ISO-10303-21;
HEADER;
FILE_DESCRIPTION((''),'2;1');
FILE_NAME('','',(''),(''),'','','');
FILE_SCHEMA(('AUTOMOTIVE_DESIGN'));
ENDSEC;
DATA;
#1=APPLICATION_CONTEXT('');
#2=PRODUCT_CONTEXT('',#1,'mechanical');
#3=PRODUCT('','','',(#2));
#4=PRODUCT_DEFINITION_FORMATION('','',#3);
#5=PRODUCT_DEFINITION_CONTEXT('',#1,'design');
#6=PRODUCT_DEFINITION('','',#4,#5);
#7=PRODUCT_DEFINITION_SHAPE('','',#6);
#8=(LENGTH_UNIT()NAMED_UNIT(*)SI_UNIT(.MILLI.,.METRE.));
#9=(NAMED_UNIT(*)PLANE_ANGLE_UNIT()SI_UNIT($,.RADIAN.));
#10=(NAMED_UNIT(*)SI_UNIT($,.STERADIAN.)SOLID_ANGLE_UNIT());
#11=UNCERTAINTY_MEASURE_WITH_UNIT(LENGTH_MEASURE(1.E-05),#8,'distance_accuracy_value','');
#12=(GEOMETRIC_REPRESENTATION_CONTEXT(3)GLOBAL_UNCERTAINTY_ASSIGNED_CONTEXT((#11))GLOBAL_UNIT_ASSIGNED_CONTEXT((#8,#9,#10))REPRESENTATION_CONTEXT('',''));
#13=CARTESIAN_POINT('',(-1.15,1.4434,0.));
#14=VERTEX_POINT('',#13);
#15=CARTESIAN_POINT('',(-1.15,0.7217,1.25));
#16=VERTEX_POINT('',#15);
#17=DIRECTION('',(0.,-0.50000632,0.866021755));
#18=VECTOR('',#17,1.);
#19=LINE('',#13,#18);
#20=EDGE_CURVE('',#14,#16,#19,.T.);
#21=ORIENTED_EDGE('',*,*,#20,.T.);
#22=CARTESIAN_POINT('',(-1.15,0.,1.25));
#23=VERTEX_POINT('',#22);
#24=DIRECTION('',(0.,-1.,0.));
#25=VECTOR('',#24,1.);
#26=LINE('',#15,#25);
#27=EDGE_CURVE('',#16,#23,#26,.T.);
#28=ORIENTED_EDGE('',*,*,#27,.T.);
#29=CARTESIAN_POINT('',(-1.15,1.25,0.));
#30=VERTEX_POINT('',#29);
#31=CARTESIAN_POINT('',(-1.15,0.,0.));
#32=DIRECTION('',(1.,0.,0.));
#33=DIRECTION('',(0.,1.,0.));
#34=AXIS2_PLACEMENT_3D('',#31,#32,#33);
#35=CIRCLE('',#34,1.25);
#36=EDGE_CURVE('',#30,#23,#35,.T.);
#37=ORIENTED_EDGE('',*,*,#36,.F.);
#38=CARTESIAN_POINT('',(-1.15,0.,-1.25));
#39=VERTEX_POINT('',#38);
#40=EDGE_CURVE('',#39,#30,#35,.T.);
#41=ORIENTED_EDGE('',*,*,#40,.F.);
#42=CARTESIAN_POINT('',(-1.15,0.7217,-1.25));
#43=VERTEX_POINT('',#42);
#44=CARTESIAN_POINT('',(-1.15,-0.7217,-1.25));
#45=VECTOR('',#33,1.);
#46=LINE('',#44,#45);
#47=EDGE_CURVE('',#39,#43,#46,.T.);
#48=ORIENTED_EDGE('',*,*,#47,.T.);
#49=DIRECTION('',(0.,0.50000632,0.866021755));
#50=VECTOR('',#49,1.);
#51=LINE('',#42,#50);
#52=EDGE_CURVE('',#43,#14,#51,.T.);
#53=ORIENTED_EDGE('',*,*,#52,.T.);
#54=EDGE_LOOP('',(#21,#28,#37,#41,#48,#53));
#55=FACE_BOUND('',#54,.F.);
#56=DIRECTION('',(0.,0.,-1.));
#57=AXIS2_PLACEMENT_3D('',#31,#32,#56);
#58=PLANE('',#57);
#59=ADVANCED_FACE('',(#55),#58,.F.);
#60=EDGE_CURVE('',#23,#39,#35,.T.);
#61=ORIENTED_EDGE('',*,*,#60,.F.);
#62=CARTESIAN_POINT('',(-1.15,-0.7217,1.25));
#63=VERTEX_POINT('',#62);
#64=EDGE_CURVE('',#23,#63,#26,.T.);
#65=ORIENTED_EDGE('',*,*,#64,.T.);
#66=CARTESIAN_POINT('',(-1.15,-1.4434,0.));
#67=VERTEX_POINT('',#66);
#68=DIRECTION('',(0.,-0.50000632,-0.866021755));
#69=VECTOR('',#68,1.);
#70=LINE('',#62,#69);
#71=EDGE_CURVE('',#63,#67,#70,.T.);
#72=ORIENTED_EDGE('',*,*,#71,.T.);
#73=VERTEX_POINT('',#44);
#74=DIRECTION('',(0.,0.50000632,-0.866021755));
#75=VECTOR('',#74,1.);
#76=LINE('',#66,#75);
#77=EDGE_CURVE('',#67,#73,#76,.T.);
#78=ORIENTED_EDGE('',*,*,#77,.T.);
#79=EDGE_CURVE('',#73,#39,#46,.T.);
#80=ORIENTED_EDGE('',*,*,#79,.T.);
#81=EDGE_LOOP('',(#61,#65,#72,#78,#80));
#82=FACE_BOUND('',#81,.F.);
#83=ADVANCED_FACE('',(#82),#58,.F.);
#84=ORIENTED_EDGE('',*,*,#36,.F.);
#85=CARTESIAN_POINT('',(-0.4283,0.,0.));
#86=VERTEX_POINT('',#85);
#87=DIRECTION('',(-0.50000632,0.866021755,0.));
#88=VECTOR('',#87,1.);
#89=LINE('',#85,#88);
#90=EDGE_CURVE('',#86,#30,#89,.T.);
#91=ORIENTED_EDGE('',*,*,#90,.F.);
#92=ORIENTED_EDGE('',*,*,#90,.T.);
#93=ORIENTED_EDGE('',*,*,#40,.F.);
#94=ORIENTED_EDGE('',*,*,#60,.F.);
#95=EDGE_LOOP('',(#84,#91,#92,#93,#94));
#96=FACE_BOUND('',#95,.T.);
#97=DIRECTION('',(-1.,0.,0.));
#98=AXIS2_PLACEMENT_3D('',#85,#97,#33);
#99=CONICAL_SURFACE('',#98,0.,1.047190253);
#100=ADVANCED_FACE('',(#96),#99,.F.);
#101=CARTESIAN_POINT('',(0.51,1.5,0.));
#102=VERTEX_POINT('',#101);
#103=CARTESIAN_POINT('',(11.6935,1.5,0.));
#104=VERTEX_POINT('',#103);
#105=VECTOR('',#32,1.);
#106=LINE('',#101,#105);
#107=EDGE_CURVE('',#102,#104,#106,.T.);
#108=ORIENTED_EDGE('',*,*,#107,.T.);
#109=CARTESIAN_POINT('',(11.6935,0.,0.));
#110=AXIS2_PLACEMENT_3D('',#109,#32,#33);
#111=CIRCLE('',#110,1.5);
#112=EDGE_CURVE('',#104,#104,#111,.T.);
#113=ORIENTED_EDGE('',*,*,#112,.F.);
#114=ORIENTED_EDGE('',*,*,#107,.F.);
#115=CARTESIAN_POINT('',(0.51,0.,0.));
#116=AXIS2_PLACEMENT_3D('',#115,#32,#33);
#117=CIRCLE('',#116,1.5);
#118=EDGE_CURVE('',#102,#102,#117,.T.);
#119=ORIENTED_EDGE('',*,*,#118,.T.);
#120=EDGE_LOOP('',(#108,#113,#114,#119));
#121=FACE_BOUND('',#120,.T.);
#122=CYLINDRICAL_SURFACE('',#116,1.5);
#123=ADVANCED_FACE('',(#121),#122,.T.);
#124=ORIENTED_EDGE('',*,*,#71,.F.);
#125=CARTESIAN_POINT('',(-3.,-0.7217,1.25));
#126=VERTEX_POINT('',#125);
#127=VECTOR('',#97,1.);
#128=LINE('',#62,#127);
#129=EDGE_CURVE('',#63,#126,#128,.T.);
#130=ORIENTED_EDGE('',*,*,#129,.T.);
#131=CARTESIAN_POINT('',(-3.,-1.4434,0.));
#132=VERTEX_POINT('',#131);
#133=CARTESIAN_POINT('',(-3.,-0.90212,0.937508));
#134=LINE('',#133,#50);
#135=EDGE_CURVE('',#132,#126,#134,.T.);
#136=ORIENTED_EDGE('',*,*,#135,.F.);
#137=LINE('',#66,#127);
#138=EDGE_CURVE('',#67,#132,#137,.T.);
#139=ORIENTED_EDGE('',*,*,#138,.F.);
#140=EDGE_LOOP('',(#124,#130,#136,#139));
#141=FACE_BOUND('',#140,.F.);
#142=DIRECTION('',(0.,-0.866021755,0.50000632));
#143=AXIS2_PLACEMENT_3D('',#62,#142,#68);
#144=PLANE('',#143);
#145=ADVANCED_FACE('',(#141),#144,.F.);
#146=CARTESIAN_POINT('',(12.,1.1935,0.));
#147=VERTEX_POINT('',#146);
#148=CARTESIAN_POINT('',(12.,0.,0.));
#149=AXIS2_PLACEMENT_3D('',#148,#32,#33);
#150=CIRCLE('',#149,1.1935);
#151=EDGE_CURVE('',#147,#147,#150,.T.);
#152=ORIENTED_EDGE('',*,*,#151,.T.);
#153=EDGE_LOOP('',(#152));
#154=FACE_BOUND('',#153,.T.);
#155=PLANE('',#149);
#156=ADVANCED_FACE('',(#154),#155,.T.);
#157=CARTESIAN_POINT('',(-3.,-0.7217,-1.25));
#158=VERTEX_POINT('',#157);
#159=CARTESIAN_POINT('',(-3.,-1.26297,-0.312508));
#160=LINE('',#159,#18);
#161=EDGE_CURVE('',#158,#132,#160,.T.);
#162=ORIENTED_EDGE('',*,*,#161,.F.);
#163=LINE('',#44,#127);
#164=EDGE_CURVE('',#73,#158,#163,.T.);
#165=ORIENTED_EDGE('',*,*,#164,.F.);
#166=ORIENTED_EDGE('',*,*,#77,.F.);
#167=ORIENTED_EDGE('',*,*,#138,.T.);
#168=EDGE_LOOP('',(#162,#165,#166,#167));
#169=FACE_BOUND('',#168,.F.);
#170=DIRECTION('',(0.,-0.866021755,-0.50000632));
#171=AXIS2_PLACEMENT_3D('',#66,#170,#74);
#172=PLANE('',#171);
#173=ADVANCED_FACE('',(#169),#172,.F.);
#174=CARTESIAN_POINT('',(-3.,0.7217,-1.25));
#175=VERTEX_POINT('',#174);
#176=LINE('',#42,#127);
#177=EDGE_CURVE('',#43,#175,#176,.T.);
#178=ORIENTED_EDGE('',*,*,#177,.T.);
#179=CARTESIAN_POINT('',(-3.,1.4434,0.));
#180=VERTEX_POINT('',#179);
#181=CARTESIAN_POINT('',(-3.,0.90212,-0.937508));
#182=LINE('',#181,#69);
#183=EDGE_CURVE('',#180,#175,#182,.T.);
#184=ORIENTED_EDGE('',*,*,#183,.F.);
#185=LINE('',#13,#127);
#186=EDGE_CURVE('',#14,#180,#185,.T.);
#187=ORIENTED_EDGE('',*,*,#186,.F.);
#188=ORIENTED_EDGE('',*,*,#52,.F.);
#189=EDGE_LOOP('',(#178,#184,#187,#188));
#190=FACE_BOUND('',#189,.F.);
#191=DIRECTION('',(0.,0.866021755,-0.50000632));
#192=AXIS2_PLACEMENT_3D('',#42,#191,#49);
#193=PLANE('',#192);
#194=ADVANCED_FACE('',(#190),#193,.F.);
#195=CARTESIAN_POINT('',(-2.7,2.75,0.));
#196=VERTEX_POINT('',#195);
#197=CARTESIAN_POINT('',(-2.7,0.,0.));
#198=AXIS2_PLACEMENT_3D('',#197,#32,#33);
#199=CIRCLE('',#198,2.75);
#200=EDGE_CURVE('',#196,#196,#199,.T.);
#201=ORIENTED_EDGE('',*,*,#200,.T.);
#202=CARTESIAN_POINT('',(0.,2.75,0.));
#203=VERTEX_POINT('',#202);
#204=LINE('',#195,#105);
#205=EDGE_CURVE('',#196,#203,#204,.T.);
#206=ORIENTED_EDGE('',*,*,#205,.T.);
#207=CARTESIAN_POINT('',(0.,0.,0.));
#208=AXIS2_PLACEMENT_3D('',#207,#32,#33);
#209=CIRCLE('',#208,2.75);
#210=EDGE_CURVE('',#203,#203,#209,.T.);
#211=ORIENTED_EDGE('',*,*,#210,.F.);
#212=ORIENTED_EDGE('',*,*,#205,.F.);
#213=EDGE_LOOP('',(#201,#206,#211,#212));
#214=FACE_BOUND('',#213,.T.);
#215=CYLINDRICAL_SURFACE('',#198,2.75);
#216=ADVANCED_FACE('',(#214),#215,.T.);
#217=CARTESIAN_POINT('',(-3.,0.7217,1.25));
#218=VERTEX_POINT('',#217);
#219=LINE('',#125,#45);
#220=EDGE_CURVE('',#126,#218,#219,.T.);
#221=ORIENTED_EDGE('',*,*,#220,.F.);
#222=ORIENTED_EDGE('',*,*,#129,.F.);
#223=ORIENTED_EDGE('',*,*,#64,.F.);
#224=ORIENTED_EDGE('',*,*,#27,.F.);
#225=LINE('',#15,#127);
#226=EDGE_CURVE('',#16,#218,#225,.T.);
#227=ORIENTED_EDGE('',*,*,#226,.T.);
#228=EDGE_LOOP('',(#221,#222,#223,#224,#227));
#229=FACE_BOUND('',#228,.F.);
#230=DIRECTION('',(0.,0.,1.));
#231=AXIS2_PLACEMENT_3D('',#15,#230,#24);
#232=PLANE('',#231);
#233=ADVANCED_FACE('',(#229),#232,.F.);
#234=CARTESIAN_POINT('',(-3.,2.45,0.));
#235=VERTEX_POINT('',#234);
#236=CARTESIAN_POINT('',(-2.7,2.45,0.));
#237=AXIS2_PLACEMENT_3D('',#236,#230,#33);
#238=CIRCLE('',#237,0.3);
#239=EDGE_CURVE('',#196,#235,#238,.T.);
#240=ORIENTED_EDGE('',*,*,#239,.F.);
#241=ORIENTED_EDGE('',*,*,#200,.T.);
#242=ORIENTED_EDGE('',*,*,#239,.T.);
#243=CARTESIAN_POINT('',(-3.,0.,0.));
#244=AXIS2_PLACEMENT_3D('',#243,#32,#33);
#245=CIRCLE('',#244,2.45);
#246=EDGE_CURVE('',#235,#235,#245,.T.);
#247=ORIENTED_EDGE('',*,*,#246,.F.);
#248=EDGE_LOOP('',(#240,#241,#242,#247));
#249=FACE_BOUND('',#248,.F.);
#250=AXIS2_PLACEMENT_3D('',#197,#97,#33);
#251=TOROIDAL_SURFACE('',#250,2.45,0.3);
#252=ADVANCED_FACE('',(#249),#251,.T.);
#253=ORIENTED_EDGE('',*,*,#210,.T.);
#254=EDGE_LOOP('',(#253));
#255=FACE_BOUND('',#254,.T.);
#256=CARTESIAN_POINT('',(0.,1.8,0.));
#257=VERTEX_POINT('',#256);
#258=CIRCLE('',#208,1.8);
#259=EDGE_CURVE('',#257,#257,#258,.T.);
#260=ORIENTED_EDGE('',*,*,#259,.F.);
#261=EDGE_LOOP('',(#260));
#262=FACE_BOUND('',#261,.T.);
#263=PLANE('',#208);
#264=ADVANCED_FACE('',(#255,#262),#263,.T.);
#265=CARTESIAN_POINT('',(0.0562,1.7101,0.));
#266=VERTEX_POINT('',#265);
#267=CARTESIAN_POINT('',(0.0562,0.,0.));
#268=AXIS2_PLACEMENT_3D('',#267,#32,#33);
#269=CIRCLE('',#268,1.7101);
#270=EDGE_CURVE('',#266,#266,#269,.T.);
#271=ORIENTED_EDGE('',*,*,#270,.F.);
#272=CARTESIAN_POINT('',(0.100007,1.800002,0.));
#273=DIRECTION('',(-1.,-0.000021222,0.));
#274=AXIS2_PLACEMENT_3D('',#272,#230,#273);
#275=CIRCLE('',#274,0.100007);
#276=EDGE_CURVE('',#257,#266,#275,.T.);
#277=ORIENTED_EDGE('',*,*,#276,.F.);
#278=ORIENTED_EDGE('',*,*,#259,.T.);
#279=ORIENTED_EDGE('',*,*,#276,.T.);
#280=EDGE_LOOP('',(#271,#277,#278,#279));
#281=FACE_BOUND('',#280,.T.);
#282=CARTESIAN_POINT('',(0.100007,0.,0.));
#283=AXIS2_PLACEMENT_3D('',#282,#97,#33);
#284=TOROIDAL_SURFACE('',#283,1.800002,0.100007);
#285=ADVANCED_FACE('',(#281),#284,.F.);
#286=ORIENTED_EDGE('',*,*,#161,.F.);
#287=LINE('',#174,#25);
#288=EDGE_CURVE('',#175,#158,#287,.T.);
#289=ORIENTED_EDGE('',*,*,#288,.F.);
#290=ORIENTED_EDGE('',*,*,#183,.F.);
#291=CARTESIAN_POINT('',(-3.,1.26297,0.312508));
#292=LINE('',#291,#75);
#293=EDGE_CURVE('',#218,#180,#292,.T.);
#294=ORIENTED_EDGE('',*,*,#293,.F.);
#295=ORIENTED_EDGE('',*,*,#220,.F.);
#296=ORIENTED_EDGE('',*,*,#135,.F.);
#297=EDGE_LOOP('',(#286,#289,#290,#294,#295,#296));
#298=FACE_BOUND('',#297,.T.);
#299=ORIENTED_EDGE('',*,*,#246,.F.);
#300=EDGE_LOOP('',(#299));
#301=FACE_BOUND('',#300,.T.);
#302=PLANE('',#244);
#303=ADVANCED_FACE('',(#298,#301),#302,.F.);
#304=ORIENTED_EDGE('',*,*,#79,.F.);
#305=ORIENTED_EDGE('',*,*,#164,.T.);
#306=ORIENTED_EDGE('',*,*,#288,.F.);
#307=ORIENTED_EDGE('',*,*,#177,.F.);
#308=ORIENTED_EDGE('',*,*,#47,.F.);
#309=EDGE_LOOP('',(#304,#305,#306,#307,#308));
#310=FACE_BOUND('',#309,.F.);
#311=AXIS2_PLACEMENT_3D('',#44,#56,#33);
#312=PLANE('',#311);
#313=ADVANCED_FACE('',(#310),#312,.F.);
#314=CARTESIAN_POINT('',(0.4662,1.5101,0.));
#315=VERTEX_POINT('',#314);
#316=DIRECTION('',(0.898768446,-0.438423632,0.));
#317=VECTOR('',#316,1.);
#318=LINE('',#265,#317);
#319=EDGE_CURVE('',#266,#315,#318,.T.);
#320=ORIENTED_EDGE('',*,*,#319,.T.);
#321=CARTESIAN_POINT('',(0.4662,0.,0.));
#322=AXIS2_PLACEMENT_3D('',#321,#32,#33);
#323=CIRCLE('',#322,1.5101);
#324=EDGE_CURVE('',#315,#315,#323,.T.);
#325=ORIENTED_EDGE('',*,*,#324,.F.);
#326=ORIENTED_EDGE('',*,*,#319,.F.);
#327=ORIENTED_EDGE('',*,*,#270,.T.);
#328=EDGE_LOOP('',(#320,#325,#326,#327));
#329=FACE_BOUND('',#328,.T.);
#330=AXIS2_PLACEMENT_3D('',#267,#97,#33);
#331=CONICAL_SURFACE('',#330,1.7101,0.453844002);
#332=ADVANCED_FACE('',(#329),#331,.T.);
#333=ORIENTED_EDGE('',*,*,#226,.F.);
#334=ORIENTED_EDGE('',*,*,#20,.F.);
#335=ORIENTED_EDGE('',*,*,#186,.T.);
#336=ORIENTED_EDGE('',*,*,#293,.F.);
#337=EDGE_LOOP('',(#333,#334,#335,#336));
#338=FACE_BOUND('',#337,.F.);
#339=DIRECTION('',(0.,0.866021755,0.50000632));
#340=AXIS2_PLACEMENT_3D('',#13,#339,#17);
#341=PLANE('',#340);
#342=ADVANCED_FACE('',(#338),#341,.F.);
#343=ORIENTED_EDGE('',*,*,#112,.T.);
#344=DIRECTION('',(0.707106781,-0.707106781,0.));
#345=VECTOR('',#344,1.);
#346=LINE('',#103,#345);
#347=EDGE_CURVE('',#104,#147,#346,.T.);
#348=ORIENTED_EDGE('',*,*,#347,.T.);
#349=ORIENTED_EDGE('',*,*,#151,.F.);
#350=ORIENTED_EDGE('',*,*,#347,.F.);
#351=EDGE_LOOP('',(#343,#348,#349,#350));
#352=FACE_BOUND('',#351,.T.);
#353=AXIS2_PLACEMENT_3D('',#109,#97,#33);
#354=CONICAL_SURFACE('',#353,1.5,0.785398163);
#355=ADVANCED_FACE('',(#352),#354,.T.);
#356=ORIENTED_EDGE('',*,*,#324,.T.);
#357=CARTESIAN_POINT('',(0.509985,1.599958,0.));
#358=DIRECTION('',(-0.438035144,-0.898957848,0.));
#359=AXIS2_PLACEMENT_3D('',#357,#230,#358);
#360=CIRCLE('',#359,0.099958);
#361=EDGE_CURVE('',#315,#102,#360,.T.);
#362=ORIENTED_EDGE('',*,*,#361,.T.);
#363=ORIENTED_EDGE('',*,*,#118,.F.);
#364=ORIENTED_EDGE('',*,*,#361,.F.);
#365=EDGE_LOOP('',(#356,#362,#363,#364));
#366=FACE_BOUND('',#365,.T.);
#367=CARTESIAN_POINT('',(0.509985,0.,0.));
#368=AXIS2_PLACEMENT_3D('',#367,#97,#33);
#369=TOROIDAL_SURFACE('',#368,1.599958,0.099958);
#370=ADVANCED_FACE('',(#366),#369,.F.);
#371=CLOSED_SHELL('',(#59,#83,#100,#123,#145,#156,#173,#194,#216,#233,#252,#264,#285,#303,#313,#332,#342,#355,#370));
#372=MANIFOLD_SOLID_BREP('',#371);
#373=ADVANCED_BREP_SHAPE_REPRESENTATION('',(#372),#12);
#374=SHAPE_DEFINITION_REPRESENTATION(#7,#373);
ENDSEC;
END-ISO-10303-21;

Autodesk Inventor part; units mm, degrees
sketch "Skizze_2" plane through (0, 0, 0) normal (0, 0, 1) x (1, 0, 0)
  line L0 (12, 0) -> (-0.4283, 0)
  line L1 (-0.4283, 0) -> (-1.15, 1.25)
  line L2 (-1.15, 1.25) -> (-3, 1.25)
  line L3 (-3, 1.25) -> (-3, 2.45)
  arc A0 (-2.7, 2.75) -> (-3, 2.45) centre (-2.7, 2.45) ccw
  line L4 (-2.7, 2.75) -> (0, 2.75)
  line L5 (0, 2.75) -> (0, 1.8)
  arc A1 (0, 1.8) -> (0.0562, 1.7101) centre (0.1, 1.8) ccw
  line L6 (0.0562, 1.7101) -> (0.4662, 1.5101)
  arc A2 (0.4662, 1.5101) -> (0.51, 1.5) centre (0.51, 1.6) ccw
  line L7 (0.51, 1.5) -> (11.6935, 1.5)
  line L8 (11.6935, 1.5) -> (12, 1.1935)
  line L9 (12, 1.1935) -> (12, 0)
  line L10 (12, 0) -> (-0.4283, 0)
revolve "Revolution1" add sketch "Skizze_2" angle 360 about axis through (12, 0, 0) along (1, 0, 0)
thread "Thread1" size "M3x0.5" class "6g" standard "ISO Metric profile" length 1.1935
sketch "Skizze_1" plane through (-1.15, 0, 0) normal (1, 0, 0) x (0, 0, -1)
  line L0 (-1.25, -0.7217) -> (0, -1.4434)
  line L1 (0, -1.4434) -> (1.25, -0.7217)
  line L2 (1.25, -0.7217) -> (1.25, 0.7217)
  line L3 (1.25, 0.7217) -> (0, 1.4434)
  line L4 (0, 1.4434) -> (-1.25, 0.7217)
  line L5 (-1.25, 0.7217) -> (-1.25, -0.7217)
extrude "Extrusion1" cut sketch "Skizze_1" against normal blind 2.6
ref_plane "IP1_XY" through (0, 0, 0) normal (1, 0, 0) x (0, 0, -1)
ref_plane "IP1_YZ" through (0, 0, 0) normal (0, 0, -1) x (0, 1, 0)
ref_plane "IP1_ZX" through (0, 0, 0) normal (0, 1, 0) x (1, 0, 0)
ref_plane "IP2_XY" through (-3, 0, 0) normal (1, 0, 0) x (0, 0, -1)
ref_plane "IP2_YZ" through (-3, 0, 0) normal (0, 0, -1) x (0, 1, 0)
ref_plane "IP2_ZX" through (-3, 0, 0) normal (0, 1, 0) x (1, 0, 0)
ref_plane "IP3_XY" through (12, 0, 0) normal (1, 0, 0) x (0, 0, -1)
ref_plane "IP3_YZ" through (12, 0, 0) normal (0, 0, -1) x (0, 1, 0)
ref_plane "IP3_ZX" through (12, 0, 0) normal (0, 1, 0) x (1, 0, 0)
ref_plane "IP4_XY" through (0, 0, 0) normal (1, 0, 0) x (0, 0, -1)
ref_plane "IP4_YZ" through (0, 0, 0) normal (0, 0, -1) x (0, 1, 0)
ref_plane "IP4_ZX" through (0, 0, 0) normal (0, 1, 0) x (1, 0, 0)
properties part number "Slotted head cap screw ISO 4762 - M3x12"
